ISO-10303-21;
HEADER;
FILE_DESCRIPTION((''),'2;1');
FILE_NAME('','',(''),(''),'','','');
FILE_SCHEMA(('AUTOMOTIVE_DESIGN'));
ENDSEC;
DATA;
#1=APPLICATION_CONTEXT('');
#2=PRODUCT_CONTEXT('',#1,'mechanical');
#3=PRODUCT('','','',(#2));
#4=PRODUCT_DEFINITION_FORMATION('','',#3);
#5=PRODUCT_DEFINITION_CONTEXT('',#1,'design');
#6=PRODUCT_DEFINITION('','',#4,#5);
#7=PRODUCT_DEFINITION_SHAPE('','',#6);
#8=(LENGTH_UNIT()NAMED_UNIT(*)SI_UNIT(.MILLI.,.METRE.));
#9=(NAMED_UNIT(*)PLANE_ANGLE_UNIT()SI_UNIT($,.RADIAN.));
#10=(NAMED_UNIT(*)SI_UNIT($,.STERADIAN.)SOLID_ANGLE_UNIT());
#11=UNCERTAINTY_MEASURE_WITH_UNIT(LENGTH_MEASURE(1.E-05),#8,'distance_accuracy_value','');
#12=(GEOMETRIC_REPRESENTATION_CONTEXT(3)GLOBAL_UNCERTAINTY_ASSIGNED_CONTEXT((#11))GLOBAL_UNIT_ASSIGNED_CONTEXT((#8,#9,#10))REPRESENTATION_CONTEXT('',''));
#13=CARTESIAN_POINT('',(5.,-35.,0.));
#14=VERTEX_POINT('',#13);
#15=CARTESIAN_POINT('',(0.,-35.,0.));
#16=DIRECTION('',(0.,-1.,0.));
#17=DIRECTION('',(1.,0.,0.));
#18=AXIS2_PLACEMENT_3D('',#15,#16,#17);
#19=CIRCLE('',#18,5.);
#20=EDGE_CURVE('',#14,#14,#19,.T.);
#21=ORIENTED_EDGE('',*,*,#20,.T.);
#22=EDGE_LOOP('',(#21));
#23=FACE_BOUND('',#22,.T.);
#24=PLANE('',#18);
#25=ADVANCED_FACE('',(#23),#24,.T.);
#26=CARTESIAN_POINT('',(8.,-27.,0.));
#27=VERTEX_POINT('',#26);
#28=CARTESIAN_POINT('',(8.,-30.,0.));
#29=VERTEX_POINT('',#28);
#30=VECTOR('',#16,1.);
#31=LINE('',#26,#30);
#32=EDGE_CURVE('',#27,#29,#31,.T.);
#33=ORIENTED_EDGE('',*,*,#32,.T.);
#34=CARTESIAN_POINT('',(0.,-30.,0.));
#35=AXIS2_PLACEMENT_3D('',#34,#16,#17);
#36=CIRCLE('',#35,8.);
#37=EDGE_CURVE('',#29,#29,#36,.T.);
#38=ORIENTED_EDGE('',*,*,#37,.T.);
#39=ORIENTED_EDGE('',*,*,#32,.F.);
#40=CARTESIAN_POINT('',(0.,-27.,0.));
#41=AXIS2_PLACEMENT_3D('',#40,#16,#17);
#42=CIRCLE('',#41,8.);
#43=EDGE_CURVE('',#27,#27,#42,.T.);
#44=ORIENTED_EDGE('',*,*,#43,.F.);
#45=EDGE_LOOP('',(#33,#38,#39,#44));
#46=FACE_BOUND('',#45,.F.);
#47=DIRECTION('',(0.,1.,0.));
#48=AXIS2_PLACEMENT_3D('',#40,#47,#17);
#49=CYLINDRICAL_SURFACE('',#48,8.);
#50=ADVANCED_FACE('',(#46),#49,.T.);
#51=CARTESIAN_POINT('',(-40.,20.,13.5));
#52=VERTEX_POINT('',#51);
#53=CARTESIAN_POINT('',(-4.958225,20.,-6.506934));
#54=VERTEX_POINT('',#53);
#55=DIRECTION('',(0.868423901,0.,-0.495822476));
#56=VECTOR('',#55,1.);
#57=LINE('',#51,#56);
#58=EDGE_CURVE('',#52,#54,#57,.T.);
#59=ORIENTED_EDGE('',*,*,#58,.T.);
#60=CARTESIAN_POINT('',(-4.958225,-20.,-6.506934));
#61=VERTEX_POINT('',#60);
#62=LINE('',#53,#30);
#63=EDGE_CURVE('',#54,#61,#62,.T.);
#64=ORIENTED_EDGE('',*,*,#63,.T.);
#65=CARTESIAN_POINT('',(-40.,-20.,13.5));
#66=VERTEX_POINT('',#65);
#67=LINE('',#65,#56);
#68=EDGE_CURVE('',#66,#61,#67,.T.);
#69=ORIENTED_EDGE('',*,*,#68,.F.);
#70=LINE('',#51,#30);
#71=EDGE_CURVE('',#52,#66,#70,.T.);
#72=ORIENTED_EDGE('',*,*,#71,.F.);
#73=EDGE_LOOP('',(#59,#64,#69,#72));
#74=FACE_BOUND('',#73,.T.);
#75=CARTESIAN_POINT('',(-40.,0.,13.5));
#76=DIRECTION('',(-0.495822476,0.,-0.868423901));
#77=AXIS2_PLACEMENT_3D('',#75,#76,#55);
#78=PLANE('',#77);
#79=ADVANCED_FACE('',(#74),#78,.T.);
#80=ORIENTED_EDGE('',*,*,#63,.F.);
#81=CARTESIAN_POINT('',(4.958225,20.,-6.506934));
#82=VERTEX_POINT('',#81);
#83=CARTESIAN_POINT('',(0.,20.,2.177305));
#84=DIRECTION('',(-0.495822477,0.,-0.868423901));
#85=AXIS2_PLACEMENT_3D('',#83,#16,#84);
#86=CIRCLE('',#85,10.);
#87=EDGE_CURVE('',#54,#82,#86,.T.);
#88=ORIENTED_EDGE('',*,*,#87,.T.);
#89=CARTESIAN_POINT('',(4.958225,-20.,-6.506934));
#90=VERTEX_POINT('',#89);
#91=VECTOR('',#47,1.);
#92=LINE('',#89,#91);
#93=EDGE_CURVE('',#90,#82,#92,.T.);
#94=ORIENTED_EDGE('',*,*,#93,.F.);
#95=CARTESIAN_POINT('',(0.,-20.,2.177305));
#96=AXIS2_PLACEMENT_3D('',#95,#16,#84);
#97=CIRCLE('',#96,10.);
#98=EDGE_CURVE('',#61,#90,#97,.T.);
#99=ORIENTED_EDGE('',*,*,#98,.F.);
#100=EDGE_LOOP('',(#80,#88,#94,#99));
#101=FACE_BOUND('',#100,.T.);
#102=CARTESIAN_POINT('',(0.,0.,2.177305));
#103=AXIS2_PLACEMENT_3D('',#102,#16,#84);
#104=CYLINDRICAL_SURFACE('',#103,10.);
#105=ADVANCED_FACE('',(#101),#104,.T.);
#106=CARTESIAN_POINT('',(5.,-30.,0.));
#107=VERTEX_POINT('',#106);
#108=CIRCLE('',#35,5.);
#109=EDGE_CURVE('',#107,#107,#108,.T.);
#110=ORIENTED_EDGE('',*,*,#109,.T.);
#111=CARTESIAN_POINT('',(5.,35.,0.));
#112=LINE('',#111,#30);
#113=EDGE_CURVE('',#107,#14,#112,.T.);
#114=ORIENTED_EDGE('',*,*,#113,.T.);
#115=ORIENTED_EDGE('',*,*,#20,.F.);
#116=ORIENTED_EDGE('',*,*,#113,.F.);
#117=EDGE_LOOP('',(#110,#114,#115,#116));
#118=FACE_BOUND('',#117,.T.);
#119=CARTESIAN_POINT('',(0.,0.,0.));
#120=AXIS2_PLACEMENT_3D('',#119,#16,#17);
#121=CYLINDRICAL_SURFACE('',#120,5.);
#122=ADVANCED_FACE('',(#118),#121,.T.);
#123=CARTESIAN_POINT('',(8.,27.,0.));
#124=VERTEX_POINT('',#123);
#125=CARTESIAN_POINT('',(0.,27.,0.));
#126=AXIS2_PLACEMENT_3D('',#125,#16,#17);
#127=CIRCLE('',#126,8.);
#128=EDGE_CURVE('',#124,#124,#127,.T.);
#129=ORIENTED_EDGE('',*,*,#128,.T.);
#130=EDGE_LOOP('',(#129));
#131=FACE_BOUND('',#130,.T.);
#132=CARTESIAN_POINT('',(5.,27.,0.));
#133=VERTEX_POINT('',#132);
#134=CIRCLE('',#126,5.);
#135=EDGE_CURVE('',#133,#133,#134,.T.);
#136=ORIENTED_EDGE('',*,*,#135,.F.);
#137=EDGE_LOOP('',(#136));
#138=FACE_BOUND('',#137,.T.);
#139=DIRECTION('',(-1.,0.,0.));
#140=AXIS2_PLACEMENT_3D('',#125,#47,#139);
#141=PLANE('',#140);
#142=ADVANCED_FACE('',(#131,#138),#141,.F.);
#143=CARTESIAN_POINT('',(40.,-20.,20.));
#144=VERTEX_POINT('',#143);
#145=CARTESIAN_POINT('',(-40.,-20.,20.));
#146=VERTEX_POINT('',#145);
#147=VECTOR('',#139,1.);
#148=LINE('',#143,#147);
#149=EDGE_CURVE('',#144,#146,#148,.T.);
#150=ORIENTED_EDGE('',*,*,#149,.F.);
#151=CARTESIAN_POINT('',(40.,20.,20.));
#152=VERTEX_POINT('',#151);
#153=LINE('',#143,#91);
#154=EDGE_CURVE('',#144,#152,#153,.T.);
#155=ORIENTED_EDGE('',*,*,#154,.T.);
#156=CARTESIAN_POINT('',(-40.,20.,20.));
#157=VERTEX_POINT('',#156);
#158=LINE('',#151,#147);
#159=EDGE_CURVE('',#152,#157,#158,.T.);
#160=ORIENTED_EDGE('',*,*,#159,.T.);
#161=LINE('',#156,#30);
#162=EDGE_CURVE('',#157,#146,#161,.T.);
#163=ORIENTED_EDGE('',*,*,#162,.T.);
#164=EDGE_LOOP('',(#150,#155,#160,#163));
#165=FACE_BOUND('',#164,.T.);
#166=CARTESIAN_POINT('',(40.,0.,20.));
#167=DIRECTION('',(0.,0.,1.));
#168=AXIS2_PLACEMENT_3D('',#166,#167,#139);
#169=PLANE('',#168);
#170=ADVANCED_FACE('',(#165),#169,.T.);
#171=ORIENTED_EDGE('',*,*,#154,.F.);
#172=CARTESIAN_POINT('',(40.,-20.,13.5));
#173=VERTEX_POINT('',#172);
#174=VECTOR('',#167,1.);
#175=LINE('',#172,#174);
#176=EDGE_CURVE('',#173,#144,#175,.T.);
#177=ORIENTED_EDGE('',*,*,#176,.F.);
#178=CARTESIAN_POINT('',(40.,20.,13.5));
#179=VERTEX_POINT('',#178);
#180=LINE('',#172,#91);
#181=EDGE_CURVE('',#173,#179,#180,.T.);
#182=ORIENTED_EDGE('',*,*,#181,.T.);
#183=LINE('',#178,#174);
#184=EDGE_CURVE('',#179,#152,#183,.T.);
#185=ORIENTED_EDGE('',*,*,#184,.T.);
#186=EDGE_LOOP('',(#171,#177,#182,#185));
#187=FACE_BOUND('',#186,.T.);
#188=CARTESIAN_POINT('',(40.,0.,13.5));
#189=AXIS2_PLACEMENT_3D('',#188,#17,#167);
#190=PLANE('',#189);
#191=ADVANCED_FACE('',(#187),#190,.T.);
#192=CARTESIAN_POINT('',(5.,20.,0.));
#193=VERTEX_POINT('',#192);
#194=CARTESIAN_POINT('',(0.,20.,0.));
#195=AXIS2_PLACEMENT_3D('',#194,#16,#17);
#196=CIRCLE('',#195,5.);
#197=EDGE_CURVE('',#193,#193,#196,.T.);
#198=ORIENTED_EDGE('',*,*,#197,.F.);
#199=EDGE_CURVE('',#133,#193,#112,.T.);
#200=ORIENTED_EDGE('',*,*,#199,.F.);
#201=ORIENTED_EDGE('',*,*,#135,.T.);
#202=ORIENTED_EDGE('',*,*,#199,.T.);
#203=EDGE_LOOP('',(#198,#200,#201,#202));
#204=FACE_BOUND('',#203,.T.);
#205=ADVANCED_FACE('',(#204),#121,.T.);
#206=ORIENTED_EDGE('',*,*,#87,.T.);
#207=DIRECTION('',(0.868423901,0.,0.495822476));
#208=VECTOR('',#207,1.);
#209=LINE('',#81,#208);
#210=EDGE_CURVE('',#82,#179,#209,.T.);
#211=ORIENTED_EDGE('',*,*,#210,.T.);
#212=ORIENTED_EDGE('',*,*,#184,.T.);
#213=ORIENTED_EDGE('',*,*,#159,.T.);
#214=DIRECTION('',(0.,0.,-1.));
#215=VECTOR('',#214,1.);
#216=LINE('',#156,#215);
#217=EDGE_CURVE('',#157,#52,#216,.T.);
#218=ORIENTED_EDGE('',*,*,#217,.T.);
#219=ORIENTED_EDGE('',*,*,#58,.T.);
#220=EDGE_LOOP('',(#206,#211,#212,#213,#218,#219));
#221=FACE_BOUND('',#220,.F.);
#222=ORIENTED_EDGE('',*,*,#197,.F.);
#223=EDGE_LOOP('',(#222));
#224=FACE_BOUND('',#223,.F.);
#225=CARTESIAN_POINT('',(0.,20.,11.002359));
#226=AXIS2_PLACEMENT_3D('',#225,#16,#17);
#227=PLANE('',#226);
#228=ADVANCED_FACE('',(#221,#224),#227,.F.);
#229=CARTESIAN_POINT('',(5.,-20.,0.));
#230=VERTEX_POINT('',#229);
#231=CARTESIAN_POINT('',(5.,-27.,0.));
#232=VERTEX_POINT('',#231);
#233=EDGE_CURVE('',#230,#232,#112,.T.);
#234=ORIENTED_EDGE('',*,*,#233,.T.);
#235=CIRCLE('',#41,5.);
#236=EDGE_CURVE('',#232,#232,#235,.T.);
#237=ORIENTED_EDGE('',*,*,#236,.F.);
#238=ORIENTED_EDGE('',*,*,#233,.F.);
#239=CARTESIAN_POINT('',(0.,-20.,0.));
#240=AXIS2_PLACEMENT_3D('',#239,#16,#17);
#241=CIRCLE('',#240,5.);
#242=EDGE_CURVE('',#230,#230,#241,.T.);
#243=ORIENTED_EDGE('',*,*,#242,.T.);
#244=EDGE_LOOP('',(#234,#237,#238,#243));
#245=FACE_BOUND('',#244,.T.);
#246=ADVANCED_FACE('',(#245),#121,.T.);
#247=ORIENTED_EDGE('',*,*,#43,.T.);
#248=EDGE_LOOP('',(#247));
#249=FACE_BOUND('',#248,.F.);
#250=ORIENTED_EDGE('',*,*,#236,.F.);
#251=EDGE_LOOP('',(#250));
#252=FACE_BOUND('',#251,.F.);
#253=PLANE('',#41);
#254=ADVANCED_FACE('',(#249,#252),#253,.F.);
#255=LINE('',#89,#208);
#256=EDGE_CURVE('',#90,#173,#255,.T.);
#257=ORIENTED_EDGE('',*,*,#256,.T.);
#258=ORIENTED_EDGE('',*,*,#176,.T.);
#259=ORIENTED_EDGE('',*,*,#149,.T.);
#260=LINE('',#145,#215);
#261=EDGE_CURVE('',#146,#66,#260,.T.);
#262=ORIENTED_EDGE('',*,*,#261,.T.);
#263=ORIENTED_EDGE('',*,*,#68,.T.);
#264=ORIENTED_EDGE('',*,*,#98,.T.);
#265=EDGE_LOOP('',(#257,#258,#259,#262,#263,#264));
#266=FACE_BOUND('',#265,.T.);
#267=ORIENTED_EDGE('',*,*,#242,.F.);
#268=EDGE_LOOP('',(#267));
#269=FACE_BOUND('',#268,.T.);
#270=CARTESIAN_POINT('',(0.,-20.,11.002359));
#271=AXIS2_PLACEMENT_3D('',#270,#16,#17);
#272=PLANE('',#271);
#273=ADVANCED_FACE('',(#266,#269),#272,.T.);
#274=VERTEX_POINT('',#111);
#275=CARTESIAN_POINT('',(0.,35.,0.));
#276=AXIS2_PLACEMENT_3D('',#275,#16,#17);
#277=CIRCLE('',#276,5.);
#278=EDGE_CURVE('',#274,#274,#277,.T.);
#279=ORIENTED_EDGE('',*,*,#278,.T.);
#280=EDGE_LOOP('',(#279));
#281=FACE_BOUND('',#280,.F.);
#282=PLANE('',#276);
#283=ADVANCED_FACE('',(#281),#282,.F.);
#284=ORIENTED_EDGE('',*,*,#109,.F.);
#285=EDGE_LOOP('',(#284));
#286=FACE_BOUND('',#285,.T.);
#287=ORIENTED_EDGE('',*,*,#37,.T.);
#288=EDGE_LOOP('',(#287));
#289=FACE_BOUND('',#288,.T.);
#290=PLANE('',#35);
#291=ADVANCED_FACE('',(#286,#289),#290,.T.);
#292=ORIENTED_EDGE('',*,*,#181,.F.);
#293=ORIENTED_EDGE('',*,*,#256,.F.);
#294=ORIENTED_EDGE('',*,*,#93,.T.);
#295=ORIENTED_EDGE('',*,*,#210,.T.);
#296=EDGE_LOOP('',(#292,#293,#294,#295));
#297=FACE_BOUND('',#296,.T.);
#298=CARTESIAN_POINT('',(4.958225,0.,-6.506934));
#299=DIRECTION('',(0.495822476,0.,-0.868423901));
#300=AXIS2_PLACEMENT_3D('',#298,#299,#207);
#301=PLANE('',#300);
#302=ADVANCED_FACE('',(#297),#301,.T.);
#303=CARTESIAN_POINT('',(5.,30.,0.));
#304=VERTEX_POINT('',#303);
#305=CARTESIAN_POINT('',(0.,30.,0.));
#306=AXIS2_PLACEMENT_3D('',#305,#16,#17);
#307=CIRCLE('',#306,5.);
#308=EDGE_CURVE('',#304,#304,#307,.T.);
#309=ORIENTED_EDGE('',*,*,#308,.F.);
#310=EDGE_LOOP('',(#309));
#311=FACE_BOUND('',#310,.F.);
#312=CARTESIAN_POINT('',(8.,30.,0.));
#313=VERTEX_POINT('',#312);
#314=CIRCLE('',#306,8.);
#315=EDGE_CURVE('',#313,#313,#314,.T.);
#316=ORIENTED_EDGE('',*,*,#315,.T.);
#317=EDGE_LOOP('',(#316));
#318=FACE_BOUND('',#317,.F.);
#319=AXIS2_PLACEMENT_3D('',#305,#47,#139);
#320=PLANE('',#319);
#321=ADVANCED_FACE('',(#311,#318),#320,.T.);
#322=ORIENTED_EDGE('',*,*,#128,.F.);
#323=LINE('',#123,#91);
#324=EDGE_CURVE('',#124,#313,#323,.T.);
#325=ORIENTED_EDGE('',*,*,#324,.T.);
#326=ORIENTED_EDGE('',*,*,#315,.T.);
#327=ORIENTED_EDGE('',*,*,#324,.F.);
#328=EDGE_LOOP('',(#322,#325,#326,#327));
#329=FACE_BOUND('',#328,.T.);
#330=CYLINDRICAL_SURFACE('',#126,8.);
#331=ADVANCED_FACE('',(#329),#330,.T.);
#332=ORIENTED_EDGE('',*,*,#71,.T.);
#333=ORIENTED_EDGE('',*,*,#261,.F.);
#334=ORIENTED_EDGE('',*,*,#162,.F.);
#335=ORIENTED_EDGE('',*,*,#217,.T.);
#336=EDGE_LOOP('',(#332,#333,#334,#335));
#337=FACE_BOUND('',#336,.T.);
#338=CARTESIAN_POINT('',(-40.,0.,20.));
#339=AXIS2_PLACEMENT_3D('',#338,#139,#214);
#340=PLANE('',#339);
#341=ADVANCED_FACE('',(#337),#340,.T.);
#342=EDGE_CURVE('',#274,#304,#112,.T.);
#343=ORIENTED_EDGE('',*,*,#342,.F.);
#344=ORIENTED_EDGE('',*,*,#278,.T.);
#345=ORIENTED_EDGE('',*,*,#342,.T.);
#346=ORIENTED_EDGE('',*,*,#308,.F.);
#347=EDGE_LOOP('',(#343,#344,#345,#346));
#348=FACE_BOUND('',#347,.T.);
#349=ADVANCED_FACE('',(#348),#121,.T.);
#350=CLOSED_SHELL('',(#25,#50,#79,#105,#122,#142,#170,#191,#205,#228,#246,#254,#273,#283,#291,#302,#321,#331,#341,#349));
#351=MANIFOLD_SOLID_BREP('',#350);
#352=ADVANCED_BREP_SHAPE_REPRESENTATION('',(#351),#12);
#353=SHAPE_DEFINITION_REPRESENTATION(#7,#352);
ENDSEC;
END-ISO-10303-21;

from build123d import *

# Parameters (mm, degrees)
F0_R     = 5
F1_DEPTH = 20
F2_DEPTH = 35
F4_R     = 8
F5_DEPTH = 3


with BuildPart() as f1:
    # F0 (on Front) → F1 (new body, symmetric)
    with BuildSketch(Plane.XZ):
        with BuildLine():
            Line((40, 20), (0, 20))
            Line((0, 20), (-40, 20))
            Line((-40, 20), (-40, 13.5))
            Line((-40, 13.5), (-4.9582247647, -6.5069341219))
            ThreePointArc((-4.9582247647, -6.5069341219), (0, -7.822695112), (4.9582247647, -6.5069341219))
            Line((4.9582247647, -6.5069341219), (40, 13.5))
            Line((40, 13.5), (40, 20))
        make_face()
        Circle(F0_R, mode=Mode.SUBTRACT)
    extrude(amount=F1_DEPTH, both=True)

    # F0 (on Front) → F2 (join, symmetric)
    with BuildSketch(Plane.XZ):
        Circle(F0_R)
    extrude(amount=F2_DEPTH, both=True)

    # F4 (on offset) → F5 (join)
    with BuildSketch(Plane.XZ.offset(27)):
        Circle(F4_R)
    extrude(amount=F5_DEPTH)

    # F6: F1 across plane


with BuildPart() as f1_1:
    add(f1.part)
    add(f1.part.mirror(Plane.XZ))


solid = f1_1.part
